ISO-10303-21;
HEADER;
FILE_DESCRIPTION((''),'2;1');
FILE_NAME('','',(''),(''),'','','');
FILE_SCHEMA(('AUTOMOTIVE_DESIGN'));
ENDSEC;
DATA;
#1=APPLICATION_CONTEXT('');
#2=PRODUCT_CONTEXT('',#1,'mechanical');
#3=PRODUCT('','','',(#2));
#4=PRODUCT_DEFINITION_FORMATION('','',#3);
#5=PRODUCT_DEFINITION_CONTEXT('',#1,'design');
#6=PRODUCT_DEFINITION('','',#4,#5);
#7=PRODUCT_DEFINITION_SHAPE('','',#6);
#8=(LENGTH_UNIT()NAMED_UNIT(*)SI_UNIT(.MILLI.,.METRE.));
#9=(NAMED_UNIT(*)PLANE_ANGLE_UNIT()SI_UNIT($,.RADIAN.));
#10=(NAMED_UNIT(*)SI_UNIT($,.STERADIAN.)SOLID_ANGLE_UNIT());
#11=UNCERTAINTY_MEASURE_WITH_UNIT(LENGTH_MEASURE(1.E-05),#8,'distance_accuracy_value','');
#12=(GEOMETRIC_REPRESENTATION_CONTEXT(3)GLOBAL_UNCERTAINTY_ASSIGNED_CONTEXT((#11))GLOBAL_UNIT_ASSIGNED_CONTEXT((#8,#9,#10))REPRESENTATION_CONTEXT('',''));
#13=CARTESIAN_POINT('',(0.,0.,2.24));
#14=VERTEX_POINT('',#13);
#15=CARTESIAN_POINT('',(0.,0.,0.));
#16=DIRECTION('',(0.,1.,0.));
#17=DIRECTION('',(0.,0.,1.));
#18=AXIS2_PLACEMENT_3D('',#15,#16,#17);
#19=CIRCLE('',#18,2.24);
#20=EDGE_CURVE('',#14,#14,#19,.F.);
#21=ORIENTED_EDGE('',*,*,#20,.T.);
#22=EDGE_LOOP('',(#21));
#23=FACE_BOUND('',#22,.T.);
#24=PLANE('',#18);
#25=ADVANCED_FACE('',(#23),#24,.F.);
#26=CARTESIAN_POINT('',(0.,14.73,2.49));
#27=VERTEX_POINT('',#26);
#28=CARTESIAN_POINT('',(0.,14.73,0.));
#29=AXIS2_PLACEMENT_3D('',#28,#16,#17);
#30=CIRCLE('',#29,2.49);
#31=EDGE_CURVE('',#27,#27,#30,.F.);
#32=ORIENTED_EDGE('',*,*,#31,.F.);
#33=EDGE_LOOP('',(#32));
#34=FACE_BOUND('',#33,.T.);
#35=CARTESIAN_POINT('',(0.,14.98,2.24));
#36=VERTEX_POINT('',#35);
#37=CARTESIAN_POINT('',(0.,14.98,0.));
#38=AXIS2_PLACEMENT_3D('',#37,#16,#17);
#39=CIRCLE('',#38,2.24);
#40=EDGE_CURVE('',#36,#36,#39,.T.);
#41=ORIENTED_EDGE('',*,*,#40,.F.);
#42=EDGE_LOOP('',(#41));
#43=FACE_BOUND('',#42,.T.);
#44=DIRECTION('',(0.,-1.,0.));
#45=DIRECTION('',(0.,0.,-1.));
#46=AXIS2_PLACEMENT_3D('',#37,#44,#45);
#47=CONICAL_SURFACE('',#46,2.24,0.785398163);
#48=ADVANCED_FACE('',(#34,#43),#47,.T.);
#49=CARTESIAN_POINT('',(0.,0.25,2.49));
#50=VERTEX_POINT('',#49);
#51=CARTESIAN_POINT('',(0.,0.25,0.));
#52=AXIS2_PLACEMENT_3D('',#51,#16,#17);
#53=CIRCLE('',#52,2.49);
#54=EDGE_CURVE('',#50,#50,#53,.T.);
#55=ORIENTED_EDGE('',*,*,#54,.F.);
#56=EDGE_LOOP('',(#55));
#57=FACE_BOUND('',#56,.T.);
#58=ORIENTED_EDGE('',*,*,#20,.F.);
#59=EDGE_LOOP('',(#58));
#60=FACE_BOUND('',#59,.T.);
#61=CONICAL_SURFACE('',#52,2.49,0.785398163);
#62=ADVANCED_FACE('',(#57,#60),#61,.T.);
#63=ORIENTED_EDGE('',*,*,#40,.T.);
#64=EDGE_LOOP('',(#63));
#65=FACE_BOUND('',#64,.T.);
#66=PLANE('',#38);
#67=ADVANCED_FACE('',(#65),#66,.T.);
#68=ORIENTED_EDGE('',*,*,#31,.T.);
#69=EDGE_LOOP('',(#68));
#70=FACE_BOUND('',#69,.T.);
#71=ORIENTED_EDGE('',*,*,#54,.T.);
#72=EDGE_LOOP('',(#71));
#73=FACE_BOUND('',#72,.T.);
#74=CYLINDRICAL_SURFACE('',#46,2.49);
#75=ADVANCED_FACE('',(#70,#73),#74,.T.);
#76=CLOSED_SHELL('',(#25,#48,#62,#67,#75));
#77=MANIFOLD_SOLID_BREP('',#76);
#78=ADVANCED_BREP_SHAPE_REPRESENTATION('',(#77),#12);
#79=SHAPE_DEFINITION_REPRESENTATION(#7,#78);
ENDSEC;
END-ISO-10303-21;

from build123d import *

# Parameters (mm, degrees)
SKETCH1_R           = 2.49
BOSS_EXTRUDE1_DEPTH = 14.98
CHAMFER1_SIZE       = 0.25


with BuildPart() as part:
    # Sketch1 → Boss-Extrude1 (new body)
    with BuildSketch(Plane(origin=(0, 0, 0), x_dir=(1, 0, 0), z_dir=(0, 1, 0))):
        Circle(SKETCH1_R)
    extrude(amount=BOSS_EXTRUDE1_DEPTH)

    # Chamfer1
    chamfer1_edges = [part.edges().sort_by_distance(p)[0] for p in [
        (-2.49, 0, 0),
        (-2.49, 14.98, 0),
    ]]
    chamfer(chamfer1_edges, length=CHAMFER1_SIZE)


solid = part.part
